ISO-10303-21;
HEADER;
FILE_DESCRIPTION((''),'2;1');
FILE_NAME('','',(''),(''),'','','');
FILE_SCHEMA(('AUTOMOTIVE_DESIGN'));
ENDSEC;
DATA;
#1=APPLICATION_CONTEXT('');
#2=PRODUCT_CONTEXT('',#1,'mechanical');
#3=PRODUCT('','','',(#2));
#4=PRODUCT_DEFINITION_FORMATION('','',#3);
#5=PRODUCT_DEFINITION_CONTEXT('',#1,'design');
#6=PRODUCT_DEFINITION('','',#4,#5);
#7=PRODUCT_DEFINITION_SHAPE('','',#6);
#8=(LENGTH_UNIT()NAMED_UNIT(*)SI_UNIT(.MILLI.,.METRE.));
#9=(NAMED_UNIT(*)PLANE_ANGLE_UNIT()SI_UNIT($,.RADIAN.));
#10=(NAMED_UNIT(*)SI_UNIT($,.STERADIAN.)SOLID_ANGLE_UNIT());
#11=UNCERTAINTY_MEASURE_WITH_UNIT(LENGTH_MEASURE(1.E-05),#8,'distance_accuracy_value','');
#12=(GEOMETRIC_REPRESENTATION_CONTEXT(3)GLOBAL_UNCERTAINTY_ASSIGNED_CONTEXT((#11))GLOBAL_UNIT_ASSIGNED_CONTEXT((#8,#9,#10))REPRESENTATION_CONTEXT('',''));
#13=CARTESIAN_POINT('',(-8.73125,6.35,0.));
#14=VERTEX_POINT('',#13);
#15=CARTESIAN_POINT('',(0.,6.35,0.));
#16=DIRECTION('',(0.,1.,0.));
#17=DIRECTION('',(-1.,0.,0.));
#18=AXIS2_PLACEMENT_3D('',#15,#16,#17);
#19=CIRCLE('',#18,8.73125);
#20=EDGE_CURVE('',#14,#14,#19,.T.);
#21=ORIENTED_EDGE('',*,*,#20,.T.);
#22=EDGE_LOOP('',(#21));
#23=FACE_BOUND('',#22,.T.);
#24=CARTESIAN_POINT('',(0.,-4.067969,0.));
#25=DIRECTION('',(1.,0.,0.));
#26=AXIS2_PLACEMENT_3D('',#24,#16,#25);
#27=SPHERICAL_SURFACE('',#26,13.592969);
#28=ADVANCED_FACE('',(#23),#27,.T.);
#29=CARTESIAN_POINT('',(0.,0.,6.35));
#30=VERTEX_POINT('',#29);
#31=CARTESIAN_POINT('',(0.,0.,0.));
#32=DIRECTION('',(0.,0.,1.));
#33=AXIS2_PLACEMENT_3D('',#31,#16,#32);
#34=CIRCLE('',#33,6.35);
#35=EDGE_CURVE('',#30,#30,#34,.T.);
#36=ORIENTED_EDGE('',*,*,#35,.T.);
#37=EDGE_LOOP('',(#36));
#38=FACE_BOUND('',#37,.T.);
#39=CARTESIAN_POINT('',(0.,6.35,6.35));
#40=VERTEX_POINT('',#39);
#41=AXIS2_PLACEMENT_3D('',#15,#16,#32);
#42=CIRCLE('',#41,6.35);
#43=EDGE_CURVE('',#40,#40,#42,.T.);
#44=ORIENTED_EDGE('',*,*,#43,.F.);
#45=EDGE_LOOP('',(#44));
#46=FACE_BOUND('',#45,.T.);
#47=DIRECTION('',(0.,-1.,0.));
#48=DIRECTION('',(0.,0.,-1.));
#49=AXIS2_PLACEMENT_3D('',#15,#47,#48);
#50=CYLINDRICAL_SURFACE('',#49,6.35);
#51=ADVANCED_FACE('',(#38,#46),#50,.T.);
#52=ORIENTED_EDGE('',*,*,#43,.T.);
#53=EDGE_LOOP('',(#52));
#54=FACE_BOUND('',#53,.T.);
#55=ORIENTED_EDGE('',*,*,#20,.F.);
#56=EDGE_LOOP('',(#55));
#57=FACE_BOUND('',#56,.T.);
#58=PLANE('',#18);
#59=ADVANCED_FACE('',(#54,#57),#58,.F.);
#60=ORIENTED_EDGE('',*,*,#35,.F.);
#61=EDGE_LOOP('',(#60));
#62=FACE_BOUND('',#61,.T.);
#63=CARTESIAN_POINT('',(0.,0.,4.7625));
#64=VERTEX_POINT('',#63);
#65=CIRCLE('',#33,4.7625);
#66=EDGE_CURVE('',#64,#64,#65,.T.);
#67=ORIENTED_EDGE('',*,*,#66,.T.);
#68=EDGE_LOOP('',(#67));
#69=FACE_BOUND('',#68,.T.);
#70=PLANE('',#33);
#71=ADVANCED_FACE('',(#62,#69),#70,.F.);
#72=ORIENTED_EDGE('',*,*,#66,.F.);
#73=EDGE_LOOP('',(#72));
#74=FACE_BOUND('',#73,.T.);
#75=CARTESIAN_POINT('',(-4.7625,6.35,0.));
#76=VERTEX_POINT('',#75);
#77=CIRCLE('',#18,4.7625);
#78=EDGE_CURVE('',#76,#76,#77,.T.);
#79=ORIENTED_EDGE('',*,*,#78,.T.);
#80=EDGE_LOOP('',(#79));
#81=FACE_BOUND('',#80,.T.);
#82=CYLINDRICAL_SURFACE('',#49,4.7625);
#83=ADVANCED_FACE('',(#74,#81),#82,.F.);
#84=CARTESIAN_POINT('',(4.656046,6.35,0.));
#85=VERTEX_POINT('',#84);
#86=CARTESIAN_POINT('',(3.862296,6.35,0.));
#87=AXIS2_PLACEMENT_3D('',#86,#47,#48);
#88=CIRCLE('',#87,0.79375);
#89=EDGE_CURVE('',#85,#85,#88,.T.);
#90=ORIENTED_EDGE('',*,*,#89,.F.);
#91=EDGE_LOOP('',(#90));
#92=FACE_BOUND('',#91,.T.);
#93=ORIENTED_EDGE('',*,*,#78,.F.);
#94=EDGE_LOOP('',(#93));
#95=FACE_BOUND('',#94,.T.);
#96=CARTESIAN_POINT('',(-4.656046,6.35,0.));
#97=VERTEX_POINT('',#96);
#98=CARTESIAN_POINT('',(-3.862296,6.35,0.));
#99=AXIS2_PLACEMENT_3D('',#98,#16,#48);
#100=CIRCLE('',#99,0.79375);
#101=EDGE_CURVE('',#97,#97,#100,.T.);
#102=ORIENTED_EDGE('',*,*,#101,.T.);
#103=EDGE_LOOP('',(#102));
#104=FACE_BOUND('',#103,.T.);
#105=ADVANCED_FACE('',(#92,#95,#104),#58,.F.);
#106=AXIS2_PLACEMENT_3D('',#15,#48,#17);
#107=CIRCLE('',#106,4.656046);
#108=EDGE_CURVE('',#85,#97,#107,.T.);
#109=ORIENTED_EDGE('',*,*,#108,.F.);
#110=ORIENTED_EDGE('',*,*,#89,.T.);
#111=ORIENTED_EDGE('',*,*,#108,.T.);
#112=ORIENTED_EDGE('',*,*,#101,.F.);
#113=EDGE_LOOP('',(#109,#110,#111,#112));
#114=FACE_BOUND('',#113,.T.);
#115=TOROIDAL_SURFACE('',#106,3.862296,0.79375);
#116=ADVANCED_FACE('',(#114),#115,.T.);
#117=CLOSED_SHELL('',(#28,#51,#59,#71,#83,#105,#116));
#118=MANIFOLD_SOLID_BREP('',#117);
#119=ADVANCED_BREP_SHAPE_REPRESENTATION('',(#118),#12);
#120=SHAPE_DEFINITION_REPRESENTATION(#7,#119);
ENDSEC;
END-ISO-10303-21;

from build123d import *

# Parameters (mm, degrees)
SKETCH1_R           = 6.35
SKETCH1_R_2         = 4.7625
BOSS_EXTRUDE1_DEPTH = 6.35
SKETCH4_R           = 0.79375


with BuildPart() as part:
    # Sketch1 → Boss-Extrude1 (new body)
    with BuildSketch(Plane(origin=(0, 0, 0), x_dir=(1, 0, 0), z_dir=(0, 1, 0))):
        Circle(SKETCH1_R)
        Circle(SKETCH1_R_2, mode=Mode.SUBTRACT)
    extrude(amount=BOSS_EXTRUDE1_DEPTH)

    # Sketch2 → Revolve1 (revolve)
    with BuildSketch(Plane.XY):
        with BuildLine():
            Line((0, 9.525), (0, 6.35))
            Line((0, 6.35), (8.73125, 6.35))
            ThreePointArc((8.73125, 6.35), (4.645302777, 8.706613887), (0, 9.525))
        make_face()
    revolve(axis=Axis((0, 9.525, 0), (0, -1, 0)))

    # Sweep1: sweep along a path in Sketch3
    with BuildLine(Plane.XY) as sweep1_path:
        ThreePointArc((3.862295552, 6.35), (0, 2.487704448), (-3.862295552, 6.35))
    # Sketch4 → Sweep1 (sweep)
    with BuildSketch(Plane.XZ.offset(-6.35)):
        with Locations((3.862295552, 0)):
            Circle(SKETCH4_R)
    sweep(path=sweep1_path.line)


solid = part.part
